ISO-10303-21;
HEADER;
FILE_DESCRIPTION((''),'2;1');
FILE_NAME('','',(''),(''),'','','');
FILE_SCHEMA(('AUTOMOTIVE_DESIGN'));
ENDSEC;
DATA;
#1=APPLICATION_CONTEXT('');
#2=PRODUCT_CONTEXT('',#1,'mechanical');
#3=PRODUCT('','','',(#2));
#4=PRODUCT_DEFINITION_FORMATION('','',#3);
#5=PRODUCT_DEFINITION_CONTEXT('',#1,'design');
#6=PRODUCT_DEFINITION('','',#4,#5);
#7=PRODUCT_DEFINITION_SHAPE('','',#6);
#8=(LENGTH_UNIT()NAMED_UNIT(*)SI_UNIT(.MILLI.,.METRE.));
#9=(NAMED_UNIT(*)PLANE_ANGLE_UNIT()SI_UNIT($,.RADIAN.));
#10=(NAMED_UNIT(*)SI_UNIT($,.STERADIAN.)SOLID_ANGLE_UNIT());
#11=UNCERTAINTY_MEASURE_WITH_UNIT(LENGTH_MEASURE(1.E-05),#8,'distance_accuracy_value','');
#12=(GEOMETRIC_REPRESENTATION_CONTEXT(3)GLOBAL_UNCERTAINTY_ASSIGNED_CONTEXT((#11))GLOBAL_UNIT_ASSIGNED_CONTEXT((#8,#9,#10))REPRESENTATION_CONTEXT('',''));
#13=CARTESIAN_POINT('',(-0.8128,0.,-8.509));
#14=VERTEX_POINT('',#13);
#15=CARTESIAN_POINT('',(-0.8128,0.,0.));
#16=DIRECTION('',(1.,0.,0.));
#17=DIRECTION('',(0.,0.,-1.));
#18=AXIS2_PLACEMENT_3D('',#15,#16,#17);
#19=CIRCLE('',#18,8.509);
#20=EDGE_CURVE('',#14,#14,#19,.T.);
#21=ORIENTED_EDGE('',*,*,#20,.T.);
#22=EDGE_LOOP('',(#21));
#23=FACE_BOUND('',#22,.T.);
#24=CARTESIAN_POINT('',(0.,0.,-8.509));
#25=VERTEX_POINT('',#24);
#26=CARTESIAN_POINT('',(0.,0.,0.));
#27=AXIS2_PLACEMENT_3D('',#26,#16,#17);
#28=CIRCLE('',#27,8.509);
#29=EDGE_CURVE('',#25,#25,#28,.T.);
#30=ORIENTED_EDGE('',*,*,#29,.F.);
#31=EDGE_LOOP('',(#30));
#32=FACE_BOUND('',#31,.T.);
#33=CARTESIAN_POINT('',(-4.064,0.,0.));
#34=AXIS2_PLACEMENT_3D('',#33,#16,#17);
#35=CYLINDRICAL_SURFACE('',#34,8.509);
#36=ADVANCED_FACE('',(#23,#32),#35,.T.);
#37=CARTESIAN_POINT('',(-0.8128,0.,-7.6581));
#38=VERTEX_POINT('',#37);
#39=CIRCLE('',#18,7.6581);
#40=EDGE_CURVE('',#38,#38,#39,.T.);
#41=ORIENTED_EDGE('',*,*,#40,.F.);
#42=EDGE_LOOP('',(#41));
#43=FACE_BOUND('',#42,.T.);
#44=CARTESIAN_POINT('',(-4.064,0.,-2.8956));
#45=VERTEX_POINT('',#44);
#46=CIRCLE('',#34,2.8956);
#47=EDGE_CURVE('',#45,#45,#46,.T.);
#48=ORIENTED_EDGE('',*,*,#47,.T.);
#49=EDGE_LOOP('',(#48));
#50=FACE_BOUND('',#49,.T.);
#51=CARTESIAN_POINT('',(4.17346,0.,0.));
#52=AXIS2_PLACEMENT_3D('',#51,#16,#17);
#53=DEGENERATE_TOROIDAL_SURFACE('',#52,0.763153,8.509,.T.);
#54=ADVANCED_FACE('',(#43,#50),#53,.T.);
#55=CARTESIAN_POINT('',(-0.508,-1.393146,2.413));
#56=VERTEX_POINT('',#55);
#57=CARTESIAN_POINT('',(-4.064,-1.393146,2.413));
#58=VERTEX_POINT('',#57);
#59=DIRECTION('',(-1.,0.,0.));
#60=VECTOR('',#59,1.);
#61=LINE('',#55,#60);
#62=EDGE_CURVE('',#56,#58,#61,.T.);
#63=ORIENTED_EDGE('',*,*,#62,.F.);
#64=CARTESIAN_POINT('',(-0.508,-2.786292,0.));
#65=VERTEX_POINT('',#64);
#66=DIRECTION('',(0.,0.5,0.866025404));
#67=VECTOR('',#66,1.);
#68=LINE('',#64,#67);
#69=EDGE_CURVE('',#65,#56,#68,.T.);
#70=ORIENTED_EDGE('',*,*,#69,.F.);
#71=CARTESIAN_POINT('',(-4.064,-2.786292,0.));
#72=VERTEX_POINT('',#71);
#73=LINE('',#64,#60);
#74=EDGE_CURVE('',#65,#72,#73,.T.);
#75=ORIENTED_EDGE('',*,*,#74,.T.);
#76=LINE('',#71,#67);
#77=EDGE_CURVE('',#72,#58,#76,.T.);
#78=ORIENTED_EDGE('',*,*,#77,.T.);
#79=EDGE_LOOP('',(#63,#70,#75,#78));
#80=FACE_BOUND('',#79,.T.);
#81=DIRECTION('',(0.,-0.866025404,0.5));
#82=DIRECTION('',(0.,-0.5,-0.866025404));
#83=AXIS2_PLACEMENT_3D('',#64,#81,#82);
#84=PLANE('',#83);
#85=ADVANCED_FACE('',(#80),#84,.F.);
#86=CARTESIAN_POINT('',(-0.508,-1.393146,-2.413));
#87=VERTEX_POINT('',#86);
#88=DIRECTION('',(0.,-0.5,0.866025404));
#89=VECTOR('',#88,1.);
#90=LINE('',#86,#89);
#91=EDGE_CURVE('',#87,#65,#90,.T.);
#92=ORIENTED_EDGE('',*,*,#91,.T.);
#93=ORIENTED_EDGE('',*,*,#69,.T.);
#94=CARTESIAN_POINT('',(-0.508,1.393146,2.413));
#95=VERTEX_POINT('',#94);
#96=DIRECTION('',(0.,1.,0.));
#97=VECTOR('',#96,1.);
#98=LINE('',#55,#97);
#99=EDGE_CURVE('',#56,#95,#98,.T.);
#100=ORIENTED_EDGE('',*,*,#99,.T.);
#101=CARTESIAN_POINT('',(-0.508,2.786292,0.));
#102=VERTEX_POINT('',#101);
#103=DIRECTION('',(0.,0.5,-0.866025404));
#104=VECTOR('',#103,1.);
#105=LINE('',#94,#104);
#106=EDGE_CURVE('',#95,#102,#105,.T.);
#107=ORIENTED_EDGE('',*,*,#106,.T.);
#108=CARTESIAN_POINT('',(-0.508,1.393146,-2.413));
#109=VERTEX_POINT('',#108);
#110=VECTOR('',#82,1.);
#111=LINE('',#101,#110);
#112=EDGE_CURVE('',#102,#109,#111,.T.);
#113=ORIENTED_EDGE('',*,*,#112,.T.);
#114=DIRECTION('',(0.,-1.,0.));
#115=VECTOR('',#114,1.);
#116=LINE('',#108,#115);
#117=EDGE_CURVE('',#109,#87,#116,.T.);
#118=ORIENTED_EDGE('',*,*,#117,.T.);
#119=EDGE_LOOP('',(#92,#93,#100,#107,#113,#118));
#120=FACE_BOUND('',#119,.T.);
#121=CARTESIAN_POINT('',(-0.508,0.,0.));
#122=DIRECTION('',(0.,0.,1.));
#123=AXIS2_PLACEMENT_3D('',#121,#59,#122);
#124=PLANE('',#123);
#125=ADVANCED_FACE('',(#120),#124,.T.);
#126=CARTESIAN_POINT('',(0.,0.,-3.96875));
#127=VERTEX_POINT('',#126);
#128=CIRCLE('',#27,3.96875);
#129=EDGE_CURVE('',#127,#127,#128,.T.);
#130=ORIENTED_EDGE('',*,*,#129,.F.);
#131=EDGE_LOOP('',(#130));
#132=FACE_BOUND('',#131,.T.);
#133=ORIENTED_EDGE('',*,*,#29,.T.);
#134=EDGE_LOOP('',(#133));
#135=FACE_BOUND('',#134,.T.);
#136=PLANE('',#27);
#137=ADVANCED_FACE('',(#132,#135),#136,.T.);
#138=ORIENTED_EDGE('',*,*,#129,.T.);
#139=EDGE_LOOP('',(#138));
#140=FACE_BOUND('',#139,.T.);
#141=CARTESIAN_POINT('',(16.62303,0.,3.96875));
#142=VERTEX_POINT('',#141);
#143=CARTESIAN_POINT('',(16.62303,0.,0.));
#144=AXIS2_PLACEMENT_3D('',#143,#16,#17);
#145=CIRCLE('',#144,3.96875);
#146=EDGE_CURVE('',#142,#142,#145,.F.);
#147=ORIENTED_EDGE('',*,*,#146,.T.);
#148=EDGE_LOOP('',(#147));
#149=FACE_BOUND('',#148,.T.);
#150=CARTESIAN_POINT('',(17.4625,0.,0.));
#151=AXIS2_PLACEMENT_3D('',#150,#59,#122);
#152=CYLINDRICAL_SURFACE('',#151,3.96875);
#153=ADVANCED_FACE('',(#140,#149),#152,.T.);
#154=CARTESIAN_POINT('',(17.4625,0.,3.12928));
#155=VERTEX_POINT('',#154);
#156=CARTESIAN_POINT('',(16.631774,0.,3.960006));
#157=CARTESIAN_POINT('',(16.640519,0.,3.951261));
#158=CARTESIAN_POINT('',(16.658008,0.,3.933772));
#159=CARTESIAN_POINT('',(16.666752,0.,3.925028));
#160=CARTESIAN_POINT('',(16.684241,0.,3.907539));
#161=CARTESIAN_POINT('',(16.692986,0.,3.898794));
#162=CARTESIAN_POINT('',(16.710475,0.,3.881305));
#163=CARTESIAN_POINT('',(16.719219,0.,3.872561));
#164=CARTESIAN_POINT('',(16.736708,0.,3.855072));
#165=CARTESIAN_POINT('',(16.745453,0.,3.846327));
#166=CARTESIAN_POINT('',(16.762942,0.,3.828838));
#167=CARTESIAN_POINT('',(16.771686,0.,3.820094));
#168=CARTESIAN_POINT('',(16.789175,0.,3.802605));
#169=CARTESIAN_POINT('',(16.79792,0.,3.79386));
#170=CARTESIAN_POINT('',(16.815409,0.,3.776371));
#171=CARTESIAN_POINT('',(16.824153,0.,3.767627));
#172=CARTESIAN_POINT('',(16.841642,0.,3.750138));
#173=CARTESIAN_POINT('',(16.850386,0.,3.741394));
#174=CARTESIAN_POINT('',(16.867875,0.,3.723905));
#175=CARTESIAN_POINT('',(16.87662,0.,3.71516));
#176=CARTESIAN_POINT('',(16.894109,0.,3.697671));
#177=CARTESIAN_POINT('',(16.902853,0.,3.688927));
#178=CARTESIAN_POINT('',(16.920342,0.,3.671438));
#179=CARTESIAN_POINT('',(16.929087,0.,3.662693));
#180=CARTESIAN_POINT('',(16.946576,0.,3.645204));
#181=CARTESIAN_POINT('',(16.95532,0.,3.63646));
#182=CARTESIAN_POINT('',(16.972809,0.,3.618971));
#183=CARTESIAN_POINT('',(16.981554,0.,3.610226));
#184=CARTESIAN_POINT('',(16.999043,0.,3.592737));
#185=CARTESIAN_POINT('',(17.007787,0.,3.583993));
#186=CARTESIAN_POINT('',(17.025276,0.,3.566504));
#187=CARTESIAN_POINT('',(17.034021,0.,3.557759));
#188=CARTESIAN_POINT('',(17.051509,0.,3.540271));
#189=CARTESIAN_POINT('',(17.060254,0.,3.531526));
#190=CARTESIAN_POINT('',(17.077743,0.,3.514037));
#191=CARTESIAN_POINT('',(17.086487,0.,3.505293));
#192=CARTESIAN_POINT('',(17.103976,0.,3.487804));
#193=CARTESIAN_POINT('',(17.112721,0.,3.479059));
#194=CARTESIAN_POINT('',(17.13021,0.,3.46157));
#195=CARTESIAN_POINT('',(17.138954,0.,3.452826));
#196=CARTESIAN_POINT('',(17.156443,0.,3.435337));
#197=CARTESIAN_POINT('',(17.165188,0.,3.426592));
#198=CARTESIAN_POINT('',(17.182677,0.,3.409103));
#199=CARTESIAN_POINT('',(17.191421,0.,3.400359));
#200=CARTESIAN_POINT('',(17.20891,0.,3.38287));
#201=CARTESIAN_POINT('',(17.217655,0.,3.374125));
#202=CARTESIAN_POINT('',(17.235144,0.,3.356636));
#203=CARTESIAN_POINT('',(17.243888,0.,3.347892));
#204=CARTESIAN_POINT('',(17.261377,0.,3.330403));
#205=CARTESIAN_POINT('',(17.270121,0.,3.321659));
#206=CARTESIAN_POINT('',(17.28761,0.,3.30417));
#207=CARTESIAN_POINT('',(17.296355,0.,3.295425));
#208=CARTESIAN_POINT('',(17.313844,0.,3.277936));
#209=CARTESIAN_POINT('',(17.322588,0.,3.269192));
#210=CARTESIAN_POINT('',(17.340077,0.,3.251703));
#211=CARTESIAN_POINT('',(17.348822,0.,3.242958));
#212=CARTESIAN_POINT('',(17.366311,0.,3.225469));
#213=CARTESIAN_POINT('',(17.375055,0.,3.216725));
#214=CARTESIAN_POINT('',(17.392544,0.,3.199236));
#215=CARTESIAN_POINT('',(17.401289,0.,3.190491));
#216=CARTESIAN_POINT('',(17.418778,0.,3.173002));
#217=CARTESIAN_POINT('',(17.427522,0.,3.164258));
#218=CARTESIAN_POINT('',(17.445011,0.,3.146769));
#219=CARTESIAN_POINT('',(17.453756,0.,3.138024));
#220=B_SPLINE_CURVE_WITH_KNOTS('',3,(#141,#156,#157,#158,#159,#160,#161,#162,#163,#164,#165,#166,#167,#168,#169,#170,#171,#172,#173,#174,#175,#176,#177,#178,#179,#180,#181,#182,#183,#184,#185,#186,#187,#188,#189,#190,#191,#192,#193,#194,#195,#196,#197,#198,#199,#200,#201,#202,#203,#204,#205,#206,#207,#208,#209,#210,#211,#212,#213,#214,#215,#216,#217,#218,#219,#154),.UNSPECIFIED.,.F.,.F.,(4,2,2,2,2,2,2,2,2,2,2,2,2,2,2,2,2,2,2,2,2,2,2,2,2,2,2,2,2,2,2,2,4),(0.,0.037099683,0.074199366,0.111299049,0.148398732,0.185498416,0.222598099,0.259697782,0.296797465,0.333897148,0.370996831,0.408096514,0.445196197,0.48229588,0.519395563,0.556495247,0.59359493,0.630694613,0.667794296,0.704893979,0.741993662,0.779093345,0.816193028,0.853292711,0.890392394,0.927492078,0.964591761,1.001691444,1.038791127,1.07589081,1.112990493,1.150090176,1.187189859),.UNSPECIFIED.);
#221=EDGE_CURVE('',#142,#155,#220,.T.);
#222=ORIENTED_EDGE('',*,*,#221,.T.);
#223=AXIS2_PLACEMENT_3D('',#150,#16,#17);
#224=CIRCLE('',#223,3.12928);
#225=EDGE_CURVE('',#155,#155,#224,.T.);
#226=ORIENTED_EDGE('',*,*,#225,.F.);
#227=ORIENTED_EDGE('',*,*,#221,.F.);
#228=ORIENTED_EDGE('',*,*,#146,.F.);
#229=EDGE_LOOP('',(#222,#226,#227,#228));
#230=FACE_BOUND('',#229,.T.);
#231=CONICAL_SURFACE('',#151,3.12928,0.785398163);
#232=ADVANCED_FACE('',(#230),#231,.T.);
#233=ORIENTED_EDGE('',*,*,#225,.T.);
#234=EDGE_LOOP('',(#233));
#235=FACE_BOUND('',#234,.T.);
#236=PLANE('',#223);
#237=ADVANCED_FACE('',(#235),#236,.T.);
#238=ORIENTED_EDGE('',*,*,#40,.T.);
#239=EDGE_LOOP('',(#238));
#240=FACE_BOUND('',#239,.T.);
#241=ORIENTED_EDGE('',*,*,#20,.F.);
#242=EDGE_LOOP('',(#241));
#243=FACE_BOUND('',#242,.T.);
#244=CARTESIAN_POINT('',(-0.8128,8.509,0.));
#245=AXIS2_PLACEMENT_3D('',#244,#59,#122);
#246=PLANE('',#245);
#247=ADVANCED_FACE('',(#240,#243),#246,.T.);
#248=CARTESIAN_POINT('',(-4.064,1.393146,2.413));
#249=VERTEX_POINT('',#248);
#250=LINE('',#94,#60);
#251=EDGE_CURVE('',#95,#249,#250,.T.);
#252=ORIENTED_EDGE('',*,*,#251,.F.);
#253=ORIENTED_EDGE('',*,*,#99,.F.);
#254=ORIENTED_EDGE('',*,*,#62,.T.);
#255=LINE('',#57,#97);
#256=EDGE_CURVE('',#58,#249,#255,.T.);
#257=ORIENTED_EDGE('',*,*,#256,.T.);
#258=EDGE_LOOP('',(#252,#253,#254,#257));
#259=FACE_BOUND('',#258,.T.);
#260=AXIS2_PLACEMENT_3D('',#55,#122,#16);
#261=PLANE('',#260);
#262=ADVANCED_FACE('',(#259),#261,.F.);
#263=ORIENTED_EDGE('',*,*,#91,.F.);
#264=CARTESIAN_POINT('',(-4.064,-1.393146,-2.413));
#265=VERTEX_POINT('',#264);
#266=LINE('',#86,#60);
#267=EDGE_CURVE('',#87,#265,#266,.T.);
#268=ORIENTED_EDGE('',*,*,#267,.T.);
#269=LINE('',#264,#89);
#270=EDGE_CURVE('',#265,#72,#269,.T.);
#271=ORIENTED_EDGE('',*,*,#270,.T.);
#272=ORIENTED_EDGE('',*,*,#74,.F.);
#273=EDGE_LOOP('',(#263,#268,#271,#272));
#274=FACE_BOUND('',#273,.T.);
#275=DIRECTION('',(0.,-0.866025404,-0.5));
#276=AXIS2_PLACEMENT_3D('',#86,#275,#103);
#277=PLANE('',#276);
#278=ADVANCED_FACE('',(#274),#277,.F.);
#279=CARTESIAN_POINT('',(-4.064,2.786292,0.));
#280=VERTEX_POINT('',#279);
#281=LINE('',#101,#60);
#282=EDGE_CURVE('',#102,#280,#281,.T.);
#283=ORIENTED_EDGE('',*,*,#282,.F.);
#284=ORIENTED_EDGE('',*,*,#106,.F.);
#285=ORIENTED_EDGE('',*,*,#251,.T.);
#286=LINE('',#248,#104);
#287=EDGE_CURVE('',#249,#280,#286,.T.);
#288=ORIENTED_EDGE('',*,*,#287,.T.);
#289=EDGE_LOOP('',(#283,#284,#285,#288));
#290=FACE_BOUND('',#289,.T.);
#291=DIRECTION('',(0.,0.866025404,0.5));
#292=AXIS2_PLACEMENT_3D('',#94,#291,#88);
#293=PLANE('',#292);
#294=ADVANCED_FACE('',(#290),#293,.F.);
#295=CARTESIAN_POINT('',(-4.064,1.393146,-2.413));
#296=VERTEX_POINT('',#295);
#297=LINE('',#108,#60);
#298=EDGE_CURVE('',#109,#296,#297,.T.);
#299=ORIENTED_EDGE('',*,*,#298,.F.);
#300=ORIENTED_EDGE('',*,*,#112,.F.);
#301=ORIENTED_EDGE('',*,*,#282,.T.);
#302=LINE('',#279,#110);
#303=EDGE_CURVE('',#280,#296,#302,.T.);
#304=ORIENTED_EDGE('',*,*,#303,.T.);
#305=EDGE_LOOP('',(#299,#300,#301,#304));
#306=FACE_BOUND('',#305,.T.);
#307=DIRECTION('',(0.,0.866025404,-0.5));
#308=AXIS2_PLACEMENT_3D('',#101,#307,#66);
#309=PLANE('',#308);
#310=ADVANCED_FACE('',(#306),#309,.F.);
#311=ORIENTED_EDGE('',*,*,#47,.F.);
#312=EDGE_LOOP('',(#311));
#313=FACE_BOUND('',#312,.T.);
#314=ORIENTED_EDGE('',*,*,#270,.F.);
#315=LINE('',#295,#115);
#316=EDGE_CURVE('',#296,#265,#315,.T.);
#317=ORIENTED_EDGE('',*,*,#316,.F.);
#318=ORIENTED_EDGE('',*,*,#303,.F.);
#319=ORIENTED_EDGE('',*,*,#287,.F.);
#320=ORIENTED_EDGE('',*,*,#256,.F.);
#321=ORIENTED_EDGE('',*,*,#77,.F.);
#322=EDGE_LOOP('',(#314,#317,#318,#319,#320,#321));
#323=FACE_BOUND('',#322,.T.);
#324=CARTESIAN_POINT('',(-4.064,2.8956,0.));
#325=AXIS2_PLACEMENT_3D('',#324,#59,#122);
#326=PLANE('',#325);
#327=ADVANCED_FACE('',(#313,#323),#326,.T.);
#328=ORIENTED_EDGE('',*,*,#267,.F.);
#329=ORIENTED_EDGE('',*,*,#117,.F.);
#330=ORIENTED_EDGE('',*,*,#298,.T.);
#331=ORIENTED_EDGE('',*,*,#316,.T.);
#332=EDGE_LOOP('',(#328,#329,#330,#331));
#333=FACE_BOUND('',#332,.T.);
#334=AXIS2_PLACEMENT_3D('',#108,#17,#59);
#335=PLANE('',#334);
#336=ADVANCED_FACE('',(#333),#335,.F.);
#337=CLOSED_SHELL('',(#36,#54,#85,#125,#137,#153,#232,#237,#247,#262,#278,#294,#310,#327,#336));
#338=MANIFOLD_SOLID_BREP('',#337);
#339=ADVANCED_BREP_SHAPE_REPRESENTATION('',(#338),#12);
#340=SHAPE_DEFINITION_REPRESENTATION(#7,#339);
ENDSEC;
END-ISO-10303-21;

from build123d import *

# Parameters (mm, degrees)
SKETCH2_R           = 3.96875
BOSS_EXTRUDE1_DEPTH = 17.4625
CUT_EXTRUDE1_DEPTH  = 3.556
CHAMFER1_SIZE       = 0.83947


with BuildPart() as part:
    # Sketch1 → Revolve1 (revolve)
    with BuildSketch(Plane.XY, mode=Mode.PRIVATE) as revolve1_sk:
        with BuildLine():
            Line((-4.064, 2.8956), (-4.064, 0))
            Line((-4.064, 0), (0, 0))
            Line((0, 0), (0, 8.509))
            Line((0, 8.509), (-0.8128, 8.509))
            Line((-0.8128, 8.509), (-0.8128, 7.6581))
            ThreePointArc((-0.8128, 7.6581), (-2.854131619, 5.560656119), (-4.064, 2.8956))
        make_face()
    revolve(revolve1_sk.sketch.rotate(Axis((-4.064, 0, 0), (1, 0, 0)), 270), axis=Axis((-4.064, 0, 0), (1, 0, 0)))

    # Sketch2 → Boss-Extrude1 (add)
    with BuildSketch(Plane(origin=(0, 0, 0), x_dir=(0, 0, -1), z_dir=(1, 0, 0))):
        Circle(SKETCH2_R)
    extrude(amount=BOSS_EXTRUDE1_DEPTH)

    # Sketch3 → Cut-Extrude1 (cut)
    with BuildSketch(Plane.ZY.offset(4.064)):
        Polygon((0, -2.786292399), (2.413, -1.3931462), (2.413, 1.3931462), (0, 2.786292399), (-2.413, 1.3931462), (-2.413, -1.3931462), align=None)
    extrude(amount=-CUT_EXTRUDE1_DEPTH, mode=Mode.SUBTRACT)

    # Chamfer1
    chamfer1_edges = [part.edges().sort_by_distance(p)[0] for p in [
        (17.4625, 0, 3.96875),
    ]]
    chamfer(chamfer1_edges, length=CHAMFER1_SIZE)


solid = part.part
